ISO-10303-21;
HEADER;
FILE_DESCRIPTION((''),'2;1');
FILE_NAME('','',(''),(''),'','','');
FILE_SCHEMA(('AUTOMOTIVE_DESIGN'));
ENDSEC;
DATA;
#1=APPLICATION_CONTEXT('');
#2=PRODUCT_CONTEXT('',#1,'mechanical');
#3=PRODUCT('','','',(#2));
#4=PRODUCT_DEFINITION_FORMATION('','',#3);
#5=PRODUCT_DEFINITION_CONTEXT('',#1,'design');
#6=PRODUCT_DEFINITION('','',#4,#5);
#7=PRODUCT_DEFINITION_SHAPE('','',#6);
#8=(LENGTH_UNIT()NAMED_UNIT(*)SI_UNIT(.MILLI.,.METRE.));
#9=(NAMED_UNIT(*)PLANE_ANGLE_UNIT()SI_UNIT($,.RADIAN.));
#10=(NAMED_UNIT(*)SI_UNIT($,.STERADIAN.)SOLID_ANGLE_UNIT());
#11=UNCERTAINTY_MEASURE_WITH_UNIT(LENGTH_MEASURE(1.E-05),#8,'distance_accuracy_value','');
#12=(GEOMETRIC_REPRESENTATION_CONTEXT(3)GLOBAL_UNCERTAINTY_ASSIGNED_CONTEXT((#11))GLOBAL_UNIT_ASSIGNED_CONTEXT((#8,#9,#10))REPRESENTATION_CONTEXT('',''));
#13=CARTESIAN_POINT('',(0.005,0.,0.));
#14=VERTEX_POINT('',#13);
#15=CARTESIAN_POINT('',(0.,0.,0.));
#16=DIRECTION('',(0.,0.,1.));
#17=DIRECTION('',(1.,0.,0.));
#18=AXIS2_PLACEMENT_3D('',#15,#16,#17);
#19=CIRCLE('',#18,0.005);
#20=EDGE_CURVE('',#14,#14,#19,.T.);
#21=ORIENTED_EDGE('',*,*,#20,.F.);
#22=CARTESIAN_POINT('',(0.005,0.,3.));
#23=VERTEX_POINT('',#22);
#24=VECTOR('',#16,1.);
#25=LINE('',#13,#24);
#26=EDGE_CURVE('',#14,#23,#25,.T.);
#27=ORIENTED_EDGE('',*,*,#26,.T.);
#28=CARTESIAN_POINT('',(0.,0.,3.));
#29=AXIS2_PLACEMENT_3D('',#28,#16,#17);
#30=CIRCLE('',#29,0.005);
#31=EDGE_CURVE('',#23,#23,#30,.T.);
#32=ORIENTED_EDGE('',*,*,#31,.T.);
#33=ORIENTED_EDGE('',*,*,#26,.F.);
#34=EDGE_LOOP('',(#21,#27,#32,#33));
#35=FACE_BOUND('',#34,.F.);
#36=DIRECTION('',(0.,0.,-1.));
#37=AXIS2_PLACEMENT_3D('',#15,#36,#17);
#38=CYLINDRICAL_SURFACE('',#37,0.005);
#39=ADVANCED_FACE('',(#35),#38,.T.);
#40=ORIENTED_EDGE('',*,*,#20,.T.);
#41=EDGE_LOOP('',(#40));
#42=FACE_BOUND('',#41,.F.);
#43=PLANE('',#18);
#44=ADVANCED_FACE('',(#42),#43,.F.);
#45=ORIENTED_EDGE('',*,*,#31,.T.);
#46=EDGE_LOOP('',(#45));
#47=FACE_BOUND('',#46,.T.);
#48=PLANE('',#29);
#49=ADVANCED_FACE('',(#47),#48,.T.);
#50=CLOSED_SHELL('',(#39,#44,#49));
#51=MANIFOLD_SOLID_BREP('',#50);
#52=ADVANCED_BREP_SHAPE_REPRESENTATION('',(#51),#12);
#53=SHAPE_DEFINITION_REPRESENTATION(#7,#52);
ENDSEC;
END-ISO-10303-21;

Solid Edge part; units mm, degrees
sketch "Sketch1" plane through (0, 0, 0) normal (0, 0, 1) x (1, 0, 0)
  circle A0 centre (0, 0) radius 0.005
  dimension "D1" = 0.01
extrude "Protrusion1" add sketch "Sketch1" along normal blind 3
